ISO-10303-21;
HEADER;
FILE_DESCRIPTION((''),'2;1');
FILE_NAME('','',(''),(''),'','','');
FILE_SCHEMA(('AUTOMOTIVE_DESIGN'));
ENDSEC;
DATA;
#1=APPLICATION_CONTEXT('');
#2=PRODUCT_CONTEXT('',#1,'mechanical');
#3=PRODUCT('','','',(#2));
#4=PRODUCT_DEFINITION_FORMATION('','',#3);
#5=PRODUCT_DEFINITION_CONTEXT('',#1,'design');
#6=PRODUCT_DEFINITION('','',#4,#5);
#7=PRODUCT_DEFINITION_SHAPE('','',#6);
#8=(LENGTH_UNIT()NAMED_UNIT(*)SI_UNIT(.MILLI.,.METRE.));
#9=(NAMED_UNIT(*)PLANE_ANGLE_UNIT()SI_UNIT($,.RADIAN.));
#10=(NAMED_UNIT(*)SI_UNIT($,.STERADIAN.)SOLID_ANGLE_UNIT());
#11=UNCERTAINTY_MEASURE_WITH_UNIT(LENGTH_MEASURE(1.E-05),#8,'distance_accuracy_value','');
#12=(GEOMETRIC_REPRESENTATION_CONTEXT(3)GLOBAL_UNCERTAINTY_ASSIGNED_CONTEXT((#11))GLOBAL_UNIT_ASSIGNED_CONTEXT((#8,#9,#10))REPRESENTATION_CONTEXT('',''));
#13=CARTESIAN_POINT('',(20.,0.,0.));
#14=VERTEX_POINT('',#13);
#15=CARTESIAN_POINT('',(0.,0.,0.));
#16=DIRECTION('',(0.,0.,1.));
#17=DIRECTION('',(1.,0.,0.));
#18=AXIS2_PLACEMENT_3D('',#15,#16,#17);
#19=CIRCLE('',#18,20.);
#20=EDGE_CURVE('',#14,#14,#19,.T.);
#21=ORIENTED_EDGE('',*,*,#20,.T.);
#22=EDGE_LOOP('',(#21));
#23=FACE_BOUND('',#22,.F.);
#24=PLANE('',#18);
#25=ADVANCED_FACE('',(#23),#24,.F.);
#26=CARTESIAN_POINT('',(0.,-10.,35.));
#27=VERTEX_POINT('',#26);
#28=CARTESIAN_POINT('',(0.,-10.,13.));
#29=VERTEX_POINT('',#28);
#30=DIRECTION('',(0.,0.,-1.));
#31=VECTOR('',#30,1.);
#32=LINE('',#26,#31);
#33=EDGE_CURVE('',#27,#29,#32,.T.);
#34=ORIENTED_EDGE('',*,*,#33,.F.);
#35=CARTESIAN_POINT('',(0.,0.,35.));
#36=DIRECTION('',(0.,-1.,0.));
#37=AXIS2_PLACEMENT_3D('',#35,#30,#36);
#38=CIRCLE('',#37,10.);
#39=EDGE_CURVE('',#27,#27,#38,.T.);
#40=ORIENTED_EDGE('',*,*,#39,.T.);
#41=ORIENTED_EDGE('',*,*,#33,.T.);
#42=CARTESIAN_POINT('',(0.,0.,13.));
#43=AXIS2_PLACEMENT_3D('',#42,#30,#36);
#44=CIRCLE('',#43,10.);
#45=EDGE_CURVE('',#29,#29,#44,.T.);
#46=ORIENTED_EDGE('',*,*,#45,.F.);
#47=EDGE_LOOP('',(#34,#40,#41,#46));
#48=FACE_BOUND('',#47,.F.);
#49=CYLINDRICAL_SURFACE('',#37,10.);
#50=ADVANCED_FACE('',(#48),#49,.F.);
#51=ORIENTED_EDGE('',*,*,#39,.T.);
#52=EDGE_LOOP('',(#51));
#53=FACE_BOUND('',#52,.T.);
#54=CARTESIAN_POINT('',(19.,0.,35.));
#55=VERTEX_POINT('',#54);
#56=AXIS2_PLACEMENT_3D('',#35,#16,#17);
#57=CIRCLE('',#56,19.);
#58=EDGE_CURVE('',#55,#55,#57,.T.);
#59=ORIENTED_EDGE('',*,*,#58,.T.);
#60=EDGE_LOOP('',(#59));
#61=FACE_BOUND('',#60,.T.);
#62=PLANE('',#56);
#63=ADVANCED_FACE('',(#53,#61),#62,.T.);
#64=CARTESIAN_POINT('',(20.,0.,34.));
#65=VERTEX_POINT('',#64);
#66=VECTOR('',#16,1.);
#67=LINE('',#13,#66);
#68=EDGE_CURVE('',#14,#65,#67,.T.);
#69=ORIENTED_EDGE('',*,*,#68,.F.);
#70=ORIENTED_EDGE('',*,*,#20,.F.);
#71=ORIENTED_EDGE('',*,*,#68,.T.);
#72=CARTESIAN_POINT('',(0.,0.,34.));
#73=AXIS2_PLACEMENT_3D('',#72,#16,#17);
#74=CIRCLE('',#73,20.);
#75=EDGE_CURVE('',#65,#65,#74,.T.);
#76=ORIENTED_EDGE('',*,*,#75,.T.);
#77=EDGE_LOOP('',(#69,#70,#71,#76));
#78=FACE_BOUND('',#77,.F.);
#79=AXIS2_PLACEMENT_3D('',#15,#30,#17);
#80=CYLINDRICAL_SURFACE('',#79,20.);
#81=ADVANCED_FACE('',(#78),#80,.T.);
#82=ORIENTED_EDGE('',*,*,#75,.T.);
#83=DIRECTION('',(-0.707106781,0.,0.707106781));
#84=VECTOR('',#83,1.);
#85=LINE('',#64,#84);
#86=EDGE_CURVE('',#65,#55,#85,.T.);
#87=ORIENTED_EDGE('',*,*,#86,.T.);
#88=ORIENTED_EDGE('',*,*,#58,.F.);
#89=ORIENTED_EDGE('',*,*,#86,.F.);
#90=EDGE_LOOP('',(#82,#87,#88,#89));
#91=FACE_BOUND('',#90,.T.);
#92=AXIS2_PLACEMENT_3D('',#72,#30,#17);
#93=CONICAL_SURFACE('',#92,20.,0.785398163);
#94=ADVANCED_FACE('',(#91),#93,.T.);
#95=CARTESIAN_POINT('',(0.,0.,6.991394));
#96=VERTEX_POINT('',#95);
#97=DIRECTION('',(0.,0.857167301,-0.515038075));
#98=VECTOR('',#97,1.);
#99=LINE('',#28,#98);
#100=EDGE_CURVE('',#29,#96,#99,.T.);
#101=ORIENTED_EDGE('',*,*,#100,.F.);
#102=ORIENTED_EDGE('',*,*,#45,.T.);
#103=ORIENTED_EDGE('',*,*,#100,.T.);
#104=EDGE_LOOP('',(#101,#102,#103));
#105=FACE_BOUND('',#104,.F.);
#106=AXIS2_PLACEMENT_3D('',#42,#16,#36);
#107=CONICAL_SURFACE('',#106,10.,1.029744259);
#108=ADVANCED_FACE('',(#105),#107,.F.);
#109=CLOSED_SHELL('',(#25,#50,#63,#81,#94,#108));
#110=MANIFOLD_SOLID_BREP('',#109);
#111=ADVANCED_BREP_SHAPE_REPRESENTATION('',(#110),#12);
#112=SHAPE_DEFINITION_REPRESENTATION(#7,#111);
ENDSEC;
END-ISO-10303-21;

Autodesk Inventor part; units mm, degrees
ref_plane "YZ Plane" through (0, 0, 0) normal (1, 0, 0) x (0, 1, 0)
ref_plane "XZ Plane" through (0, 0, 0) normal (0, 1, 0) x (-1, 0, 0)
ref_plane "XY Plane" through (0, 0, 0) normal (0, 0, 1) x (1, 0, 0)
sketch "Sketch1" plane through (0, 0, 0) normal (0, 0, 1) x (1, 0, 0)
  circle A0 centre (0, 0) radius 20
  dimension "d0" = 40
extrude "Extrusion1" add sketch "Sketch1" along normal blind 35
sketch "Sketch5" plane through (0, 0, 35) normal (0, 0, 1) x (1, 0, 0)
  point P0 (0, 0)
  point P1 (0, 0)
hole "Hole2" at (0, 0, 35) direction (0, 0, -1) diameter 20 depth 22 tip angle 118
thread "Thread2" size "M20x2.5" class "6H" standard "ANSI Metric M Profile" full length
chamfer "Chamfer1" distance 1 angle 45 1 edges at (-20, 0, 35)
properties part number "CompressionGrip"
